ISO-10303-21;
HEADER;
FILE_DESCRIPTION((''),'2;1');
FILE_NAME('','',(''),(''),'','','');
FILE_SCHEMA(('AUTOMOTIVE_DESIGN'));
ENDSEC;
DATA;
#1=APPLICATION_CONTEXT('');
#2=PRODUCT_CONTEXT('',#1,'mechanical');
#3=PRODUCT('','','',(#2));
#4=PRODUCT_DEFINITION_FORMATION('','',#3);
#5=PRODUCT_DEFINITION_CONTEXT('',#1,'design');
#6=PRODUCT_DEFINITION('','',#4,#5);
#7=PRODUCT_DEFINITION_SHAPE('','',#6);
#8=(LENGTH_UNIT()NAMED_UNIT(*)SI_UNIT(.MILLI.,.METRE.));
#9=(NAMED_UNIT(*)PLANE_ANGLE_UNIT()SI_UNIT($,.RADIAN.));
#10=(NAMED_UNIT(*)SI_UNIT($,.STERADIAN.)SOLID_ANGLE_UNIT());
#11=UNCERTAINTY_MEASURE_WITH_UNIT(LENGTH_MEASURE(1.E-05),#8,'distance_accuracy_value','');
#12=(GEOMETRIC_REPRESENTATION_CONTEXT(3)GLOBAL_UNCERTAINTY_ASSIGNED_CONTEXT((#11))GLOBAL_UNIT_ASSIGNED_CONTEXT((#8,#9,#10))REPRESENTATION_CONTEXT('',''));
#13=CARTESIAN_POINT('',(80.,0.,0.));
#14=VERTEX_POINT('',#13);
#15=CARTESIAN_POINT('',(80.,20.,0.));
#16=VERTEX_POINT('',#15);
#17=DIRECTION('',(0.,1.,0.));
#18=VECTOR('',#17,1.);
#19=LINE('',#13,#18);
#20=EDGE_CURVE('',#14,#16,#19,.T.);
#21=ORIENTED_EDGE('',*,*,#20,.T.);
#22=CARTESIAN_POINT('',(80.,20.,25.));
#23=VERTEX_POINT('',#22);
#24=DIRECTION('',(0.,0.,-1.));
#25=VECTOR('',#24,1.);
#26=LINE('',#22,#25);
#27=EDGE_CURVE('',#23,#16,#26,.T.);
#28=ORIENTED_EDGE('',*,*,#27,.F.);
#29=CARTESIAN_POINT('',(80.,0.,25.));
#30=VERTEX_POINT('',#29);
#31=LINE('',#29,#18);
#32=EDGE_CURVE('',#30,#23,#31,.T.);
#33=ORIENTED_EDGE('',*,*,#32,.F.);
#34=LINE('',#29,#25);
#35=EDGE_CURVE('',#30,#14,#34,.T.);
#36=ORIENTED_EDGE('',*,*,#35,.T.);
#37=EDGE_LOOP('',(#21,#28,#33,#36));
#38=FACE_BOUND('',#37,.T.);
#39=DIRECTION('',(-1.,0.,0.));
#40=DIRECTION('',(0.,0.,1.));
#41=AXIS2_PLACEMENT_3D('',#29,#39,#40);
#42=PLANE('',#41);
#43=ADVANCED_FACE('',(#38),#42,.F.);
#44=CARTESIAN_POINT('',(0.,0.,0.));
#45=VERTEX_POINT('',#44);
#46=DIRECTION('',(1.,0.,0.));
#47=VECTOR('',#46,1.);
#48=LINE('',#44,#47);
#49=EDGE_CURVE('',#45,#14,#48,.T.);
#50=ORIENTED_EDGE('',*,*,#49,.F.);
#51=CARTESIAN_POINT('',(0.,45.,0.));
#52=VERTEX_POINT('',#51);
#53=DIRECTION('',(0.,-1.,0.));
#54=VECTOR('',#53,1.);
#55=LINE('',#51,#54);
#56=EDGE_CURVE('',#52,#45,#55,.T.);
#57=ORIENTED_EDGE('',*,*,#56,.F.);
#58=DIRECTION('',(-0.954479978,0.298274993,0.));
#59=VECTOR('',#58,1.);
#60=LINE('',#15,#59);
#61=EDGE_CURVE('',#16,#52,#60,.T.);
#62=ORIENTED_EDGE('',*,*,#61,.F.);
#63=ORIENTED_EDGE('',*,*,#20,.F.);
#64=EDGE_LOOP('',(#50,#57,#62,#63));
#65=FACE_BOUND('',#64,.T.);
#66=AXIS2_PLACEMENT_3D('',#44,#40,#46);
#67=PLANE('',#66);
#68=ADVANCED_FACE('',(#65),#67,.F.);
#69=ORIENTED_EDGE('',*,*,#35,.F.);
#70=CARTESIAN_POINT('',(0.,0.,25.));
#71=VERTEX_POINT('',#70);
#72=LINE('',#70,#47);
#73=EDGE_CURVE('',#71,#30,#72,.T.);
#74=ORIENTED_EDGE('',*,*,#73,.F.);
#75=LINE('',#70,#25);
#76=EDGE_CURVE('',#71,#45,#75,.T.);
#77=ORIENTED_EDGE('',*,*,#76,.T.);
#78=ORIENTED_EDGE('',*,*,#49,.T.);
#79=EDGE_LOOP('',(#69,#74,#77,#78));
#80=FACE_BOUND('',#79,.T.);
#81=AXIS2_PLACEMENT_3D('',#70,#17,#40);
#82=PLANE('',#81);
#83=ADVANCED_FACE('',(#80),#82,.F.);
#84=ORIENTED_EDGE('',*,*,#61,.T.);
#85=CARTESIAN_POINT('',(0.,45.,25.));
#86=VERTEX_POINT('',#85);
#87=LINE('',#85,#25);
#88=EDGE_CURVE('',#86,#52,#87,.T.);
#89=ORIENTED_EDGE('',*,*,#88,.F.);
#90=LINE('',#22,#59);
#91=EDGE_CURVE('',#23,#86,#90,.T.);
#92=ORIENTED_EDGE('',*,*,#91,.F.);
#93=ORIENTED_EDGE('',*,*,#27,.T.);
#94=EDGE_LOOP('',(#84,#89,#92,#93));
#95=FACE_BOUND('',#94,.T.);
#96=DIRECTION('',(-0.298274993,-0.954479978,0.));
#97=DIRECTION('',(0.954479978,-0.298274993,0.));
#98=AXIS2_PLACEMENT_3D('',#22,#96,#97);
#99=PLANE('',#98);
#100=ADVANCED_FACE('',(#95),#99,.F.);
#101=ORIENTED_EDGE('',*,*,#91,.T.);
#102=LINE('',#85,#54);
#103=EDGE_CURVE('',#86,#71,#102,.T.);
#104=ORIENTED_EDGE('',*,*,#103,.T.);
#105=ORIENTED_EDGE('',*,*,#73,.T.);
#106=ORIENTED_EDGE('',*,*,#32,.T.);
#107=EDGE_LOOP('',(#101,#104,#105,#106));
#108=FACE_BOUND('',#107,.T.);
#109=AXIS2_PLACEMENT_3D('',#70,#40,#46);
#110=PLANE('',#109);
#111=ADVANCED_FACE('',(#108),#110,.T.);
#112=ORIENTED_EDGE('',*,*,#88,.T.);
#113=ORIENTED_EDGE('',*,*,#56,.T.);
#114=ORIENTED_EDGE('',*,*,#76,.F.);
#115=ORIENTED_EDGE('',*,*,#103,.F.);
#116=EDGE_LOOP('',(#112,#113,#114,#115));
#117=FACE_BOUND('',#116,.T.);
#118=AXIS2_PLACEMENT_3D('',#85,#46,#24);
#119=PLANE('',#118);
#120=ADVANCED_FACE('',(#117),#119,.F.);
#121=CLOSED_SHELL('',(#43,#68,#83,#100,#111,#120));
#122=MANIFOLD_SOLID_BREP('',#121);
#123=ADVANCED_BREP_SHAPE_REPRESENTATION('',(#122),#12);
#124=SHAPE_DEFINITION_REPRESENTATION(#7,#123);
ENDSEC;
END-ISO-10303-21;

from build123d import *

# Parameters (mm, degrees)
BOSS_EXTRUDE2_DEPTH = 25


with BuildPart() as part:
    # Sketch1 → Boss-Extrude2 (new body)
    with BuildSketch(Plane.XY):
        Polygon((0, 0), (80, 0), (80, 20), (0, 45), align=None)
    extrude(amount=BOSS_EXTRUDE2_DEPTH)


solid = part.part
